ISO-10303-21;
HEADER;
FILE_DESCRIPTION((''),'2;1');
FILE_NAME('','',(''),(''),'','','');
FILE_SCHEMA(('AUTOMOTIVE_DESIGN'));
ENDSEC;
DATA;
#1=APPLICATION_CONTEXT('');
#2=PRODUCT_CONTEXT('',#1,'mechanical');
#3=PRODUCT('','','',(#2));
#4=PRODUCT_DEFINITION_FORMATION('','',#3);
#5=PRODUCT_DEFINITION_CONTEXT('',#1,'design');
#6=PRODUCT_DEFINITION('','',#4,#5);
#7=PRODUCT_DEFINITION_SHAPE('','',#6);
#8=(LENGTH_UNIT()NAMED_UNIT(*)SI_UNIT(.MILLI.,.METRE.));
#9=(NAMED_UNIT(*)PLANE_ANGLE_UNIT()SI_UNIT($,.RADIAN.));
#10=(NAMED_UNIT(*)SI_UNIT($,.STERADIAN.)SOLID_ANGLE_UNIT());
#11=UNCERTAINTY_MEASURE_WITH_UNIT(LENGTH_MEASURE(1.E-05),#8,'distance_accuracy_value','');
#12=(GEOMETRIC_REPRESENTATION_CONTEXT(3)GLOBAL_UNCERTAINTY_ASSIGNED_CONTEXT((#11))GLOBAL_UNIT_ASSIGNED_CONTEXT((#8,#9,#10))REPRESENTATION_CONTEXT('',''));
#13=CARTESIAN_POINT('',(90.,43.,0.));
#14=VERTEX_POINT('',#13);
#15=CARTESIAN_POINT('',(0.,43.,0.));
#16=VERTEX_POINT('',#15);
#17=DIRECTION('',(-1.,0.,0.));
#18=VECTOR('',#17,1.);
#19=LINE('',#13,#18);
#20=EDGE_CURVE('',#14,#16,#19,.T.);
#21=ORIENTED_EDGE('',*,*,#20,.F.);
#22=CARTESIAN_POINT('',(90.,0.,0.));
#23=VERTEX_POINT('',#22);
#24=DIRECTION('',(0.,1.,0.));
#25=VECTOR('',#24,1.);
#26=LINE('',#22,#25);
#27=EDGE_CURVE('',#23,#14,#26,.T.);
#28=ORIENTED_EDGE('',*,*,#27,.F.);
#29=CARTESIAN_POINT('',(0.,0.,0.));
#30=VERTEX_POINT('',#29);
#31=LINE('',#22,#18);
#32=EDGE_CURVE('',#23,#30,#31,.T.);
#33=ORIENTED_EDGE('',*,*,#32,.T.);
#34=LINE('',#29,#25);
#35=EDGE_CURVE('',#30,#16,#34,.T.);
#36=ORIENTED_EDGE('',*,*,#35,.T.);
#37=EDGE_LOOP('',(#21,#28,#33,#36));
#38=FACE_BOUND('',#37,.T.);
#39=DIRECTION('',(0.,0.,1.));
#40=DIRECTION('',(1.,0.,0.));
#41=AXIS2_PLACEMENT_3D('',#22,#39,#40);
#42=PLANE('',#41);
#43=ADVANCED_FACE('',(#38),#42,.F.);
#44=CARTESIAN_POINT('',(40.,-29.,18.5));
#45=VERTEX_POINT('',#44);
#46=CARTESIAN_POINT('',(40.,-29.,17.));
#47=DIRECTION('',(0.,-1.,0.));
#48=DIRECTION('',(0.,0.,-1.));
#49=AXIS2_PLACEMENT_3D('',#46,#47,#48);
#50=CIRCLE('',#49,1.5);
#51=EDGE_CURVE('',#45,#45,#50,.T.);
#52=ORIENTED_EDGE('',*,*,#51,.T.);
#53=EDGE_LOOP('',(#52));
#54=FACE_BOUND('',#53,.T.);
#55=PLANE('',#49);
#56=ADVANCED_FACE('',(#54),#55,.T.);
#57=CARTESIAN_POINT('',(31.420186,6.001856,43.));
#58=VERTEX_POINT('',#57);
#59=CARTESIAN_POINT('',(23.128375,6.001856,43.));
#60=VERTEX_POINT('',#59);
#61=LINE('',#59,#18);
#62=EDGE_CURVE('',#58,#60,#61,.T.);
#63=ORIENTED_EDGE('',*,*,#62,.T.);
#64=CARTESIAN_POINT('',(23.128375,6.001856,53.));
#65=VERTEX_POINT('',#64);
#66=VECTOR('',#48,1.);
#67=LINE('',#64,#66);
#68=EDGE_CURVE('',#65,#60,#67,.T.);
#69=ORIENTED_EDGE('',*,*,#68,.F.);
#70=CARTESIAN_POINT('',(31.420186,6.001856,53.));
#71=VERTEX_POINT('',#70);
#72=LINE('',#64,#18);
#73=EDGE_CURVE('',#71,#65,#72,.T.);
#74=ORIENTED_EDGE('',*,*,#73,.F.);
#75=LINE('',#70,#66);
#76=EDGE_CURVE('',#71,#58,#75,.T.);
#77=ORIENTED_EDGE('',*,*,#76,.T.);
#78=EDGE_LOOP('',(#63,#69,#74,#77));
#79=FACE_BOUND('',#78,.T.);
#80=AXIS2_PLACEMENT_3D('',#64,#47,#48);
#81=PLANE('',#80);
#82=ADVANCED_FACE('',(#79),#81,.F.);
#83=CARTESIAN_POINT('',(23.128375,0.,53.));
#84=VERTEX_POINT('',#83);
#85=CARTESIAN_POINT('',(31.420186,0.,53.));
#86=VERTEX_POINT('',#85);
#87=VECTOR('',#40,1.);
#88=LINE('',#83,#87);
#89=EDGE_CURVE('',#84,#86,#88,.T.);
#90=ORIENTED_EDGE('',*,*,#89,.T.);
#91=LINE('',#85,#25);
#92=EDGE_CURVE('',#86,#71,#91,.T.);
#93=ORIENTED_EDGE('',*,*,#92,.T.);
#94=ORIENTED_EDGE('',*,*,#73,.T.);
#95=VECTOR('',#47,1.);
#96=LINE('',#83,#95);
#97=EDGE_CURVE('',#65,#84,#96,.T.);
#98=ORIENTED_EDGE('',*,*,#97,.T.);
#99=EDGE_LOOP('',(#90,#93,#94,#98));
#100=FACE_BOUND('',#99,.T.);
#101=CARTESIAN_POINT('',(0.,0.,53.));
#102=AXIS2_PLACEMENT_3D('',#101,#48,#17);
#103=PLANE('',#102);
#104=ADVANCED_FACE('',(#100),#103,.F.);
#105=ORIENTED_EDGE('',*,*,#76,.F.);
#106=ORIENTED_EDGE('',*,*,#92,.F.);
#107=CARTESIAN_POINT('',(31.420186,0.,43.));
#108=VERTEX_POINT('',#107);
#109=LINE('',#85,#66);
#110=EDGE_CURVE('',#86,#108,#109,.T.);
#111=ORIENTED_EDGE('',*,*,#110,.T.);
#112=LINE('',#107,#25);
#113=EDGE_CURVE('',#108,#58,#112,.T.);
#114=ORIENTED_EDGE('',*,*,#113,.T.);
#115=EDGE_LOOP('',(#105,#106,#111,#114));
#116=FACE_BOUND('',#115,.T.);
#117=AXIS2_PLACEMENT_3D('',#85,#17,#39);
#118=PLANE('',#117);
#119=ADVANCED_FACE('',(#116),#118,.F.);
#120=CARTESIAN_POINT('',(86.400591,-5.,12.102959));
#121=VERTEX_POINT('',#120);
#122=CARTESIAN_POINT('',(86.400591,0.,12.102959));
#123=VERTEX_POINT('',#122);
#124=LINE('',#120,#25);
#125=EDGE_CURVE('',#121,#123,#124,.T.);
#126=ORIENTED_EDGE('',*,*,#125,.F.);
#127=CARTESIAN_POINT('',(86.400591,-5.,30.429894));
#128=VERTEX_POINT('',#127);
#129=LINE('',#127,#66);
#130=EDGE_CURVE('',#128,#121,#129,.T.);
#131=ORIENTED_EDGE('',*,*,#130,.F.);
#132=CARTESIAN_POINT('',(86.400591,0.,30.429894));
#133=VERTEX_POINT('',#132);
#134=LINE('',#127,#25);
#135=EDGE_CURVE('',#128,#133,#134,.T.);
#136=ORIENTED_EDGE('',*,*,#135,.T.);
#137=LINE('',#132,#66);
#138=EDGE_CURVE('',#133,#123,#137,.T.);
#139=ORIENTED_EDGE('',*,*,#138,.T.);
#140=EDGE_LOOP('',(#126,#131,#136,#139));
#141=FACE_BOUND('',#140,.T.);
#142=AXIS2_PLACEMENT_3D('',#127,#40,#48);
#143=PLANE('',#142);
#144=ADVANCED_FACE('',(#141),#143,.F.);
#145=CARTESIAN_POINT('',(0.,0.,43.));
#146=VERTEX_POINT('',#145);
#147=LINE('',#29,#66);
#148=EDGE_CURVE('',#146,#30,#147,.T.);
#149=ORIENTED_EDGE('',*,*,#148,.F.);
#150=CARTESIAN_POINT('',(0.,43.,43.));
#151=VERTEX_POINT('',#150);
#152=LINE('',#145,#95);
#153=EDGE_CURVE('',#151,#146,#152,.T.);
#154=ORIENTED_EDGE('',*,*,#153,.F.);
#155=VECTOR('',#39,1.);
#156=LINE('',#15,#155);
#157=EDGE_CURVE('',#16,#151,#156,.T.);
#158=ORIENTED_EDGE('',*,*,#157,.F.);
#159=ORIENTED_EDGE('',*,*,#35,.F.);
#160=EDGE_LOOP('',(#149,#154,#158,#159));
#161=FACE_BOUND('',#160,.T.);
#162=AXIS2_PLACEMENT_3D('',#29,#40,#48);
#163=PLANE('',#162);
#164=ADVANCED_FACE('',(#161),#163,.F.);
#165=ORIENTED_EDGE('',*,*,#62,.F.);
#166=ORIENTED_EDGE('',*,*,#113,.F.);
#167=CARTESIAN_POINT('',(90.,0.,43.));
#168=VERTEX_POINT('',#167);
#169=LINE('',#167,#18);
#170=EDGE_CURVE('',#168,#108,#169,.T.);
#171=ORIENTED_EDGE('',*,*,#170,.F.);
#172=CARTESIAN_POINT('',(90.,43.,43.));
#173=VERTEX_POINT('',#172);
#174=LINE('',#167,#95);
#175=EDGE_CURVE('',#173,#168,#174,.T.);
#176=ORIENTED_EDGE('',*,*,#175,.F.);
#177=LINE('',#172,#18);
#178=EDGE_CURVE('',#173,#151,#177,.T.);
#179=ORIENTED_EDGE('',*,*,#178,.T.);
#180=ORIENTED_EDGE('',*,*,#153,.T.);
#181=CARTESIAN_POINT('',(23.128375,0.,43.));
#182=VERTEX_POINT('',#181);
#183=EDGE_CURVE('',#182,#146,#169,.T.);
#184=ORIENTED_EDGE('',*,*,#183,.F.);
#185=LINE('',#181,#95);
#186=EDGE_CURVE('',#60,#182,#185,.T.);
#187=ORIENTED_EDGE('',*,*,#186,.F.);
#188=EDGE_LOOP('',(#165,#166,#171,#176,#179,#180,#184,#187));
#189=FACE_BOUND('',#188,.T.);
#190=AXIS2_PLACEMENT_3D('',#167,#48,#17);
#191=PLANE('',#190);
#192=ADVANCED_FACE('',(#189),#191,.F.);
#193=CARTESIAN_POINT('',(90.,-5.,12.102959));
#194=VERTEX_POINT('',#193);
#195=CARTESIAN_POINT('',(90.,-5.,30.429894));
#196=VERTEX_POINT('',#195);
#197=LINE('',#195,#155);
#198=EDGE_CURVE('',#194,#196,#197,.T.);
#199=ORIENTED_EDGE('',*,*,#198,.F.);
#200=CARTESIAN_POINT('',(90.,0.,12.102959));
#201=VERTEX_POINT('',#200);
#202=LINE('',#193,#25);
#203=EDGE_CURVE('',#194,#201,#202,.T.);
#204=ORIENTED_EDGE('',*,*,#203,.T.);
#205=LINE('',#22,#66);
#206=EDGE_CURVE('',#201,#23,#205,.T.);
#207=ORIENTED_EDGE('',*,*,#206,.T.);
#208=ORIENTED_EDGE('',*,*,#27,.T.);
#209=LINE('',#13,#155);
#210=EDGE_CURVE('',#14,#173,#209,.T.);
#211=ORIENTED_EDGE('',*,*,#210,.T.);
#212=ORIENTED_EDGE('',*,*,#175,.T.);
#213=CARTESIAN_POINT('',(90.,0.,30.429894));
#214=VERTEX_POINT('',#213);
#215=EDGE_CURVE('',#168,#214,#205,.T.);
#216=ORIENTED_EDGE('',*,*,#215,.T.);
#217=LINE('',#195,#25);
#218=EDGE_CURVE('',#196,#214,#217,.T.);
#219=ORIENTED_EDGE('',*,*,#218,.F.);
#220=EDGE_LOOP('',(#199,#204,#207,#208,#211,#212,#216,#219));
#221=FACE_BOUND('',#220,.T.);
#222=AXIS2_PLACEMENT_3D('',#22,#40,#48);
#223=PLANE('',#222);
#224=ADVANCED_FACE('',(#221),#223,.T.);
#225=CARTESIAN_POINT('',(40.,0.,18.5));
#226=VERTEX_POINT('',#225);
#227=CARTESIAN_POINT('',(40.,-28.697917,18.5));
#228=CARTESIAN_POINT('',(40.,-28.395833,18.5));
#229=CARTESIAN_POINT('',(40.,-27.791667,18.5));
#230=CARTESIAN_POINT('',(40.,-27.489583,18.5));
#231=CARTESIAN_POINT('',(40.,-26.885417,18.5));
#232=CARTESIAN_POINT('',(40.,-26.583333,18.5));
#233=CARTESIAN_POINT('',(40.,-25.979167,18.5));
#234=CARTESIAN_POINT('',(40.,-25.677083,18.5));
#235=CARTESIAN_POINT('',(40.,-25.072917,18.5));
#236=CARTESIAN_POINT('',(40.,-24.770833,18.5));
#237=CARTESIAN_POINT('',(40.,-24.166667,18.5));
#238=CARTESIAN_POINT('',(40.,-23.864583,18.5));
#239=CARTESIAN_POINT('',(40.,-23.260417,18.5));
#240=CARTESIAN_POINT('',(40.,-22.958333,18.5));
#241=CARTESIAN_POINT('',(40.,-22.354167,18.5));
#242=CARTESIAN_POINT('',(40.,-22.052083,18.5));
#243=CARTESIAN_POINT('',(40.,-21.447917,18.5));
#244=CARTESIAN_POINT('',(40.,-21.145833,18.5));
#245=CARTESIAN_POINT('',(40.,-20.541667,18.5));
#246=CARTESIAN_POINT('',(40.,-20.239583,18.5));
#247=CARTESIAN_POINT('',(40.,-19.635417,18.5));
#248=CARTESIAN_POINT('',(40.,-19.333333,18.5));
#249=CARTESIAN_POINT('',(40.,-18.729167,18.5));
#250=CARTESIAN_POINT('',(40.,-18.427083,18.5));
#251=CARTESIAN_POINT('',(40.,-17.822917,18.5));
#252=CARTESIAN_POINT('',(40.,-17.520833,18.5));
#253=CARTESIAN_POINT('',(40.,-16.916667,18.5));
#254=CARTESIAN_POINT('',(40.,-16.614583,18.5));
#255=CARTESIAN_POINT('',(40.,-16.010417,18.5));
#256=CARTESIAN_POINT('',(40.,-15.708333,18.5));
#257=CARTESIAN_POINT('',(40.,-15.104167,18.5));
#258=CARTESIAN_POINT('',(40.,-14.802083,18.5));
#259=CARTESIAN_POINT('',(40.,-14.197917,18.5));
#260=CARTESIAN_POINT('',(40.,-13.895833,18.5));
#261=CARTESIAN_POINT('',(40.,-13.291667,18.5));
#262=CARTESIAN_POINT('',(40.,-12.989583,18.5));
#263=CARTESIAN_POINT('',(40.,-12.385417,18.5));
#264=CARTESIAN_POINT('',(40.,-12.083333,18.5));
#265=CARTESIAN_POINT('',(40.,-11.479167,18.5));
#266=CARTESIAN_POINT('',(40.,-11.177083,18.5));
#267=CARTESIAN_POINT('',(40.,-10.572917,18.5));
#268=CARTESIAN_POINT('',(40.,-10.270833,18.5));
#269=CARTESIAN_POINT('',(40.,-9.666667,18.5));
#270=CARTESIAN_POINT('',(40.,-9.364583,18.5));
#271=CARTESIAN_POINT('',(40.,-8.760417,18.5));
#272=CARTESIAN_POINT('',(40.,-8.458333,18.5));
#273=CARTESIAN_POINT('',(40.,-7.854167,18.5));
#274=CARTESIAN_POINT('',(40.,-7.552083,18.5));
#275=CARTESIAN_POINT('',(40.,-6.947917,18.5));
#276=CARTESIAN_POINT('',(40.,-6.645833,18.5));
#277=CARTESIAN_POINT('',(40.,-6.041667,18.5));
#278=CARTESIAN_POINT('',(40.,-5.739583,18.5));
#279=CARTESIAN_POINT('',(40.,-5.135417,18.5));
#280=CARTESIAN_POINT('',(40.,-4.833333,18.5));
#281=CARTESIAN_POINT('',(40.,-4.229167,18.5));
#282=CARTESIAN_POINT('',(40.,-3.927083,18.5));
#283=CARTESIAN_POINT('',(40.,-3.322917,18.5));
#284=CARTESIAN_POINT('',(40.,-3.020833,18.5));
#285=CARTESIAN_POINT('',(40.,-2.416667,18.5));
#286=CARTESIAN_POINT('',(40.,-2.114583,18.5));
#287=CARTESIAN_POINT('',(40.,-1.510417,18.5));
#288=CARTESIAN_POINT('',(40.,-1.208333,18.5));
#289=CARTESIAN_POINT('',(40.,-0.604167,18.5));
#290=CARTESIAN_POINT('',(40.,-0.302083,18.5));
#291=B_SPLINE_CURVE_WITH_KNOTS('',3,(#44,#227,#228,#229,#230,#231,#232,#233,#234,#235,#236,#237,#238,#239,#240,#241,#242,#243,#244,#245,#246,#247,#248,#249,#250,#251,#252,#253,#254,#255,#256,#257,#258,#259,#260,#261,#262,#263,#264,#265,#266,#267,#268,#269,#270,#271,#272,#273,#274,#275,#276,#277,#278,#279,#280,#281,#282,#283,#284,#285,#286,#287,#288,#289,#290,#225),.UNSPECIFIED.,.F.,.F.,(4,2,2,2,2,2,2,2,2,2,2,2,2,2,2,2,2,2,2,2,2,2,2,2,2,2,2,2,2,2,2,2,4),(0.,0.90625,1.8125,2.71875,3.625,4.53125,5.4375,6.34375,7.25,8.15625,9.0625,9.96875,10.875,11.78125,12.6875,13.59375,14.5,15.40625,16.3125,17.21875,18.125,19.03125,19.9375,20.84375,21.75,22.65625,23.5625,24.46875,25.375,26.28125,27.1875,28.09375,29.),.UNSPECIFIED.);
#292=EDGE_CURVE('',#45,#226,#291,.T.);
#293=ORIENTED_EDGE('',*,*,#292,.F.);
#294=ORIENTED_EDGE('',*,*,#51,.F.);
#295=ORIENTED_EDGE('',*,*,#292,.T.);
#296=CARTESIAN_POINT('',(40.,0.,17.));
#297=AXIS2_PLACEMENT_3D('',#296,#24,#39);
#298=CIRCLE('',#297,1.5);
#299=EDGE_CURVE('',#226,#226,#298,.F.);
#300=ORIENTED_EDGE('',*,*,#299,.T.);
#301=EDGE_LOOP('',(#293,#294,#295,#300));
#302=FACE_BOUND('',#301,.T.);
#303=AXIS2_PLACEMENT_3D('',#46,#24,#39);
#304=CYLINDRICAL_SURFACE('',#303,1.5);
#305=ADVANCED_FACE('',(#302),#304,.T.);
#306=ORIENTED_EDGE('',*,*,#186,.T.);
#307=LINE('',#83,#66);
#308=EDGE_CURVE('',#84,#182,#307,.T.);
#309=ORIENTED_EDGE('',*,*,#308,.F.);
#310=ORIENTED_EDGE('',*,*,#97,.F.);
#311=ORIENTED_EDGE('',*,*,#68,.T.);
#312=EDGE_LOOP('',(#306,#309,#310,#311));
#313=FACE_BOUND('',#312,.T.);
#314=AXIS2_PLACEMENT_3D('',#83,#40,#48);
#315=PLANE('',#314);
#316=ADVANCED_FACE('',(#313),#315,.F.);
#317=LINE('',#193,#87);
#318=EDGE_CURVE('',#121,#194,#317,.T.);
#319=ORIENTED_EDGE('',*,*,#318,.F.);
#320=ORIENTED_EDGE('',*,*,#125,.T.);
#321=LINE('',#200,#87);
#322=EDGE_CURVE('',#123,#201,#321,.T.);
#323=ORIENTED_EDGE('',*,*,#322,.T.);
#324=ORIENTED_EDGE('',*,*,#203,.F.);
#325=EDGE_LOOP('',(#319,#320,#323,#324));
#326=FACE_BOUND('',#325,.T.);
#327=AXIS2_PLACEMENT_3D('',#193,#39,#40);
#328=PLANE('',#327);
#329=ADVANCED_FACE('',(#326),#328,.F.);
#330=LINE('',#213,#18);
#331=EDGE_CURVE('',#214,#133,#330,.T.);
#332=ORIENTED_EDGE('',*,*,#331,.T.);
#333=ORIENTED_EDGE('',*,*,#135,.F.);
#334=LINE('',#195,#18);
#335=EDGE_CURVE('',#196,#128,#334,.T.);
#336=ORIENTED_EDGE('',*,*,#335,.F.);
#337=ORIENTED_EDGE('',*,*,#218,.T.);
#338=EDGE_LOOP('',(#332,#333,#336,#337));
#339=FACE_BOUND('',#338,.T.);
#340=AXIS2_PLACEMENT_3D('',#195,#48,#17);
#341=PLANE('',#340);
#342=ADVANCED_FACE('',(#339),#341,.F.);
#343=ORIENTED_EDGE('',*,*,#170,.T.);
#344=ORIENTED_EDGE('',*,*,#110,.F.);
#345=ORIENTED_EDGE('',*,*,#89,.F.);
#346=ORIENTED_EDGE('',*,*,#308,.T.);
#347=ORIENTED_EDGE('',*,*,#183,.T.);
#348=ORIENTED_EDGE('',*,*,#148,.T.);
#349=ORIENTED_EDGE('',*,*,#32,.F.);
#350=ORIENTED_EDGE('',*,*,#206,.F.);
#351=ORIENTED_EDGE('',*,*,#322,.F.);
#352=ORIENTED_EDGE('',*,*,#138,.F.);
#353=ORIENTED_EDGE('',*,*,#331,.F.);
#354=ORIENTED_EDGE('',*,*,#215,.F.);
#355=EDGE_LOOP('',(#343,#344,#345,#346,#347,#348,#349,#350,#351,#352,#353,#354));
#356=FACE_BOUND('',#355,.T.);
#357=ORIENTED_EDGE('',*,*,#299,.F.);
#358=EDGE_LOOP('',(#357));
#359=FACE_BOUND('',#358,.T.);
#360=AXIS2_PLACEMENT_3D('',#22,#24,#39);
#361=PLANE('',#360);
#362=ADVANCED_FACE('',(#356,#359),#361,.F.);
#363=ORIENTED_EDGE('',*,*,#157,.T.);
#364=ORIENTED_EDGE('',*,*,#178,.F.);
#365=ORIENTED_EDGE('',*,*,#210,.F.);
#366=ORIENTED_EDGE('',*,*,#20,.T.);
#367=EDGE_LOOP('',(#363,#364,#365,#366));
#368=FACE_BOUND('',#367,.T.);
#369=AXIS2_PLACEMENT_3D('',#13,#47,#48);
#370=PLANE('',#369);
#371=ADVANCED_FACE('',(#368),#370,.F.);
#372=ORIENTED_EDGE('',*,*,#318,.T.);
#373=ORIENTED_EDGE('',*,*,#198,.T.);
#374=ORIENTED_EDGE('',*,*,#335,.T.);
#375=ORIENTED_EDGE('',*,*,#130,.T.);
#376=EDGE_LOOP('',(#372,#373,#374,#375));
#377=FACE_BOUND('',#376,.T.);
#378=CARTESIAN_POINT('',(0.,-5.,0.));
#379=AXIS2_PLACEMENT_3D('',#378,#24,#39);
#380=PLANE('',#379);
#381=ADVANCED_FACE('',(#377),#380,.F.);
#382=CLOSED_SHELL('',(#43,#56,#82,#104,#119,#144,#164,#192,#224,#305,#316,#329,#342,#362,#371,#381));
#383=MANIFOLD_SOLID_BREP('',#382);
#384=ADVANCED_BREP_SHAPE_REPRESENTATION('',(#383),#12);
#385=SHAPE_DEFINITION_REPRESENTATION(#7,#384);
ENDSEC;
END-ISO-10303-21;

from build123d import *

# Parameters (mm, degrees)
SKETCH_1_W      = 43
SKETCH_1_H      = 43
EXTRUDE_1_DEPTH = 90
SKETCH_2_R      = 1.5
EXTRUDE_2_DEPTH = 29
SKETCH_3_W      = 3.599409295
SKETCH_3_H      = 18.326935395
EXTRUDE_3_DEPTH = 5
SKETCH_4_W      = 8.291811564
SKETCH_4_H      = 6.001856053
EXTRUDE_4_DEPTH = 10


with BuildPart() as part:
    # 草图1 → 凸台-拉伸1 (new body)
    with BuildSketch(Plane(origin=(0, 0, 0), x_dir=(0, 0, -1), z_dir=(1, 0, 0))):
        with Locations((-21.5, 21.5)):
            Rectangle(SKETCH_1_W, SKETCH_1_H)
    extrude(amount=EXTRUDE_1_DEPTH)

    # 草图2 → 凸台-拉伸2 (add)
    with BuildSketch(Plane.XZ):
        with Locations(Location((40, 17, 0), (0, 0, 90))):
            Circle(SKETCH_2_R)
    extrude(amount=EXTRUDE_2_DEPTH)

    # 草图3 → 凸台-拉伸3 (add)
    with BuildSketch(Plane.XZ):
        with Locations((88.200295353, 21.266426497)):
            Rectangle(SKETCH_3_W, SKETCH_3_H)
    extrude(amount=EXTRUDE_3_DEPTH)

    # 草图4 → 凸台-拉伸4 (add)
    with BuildSketch(Plane.XY.offset(43)):
        with Locations((27.274280527, 3.000928027)):
            Rectangle(SKETCH_4_W, SKETCH_4_H)
    extrude(amount=EXTRUDE_4_DEPTH)


solid = part.part
